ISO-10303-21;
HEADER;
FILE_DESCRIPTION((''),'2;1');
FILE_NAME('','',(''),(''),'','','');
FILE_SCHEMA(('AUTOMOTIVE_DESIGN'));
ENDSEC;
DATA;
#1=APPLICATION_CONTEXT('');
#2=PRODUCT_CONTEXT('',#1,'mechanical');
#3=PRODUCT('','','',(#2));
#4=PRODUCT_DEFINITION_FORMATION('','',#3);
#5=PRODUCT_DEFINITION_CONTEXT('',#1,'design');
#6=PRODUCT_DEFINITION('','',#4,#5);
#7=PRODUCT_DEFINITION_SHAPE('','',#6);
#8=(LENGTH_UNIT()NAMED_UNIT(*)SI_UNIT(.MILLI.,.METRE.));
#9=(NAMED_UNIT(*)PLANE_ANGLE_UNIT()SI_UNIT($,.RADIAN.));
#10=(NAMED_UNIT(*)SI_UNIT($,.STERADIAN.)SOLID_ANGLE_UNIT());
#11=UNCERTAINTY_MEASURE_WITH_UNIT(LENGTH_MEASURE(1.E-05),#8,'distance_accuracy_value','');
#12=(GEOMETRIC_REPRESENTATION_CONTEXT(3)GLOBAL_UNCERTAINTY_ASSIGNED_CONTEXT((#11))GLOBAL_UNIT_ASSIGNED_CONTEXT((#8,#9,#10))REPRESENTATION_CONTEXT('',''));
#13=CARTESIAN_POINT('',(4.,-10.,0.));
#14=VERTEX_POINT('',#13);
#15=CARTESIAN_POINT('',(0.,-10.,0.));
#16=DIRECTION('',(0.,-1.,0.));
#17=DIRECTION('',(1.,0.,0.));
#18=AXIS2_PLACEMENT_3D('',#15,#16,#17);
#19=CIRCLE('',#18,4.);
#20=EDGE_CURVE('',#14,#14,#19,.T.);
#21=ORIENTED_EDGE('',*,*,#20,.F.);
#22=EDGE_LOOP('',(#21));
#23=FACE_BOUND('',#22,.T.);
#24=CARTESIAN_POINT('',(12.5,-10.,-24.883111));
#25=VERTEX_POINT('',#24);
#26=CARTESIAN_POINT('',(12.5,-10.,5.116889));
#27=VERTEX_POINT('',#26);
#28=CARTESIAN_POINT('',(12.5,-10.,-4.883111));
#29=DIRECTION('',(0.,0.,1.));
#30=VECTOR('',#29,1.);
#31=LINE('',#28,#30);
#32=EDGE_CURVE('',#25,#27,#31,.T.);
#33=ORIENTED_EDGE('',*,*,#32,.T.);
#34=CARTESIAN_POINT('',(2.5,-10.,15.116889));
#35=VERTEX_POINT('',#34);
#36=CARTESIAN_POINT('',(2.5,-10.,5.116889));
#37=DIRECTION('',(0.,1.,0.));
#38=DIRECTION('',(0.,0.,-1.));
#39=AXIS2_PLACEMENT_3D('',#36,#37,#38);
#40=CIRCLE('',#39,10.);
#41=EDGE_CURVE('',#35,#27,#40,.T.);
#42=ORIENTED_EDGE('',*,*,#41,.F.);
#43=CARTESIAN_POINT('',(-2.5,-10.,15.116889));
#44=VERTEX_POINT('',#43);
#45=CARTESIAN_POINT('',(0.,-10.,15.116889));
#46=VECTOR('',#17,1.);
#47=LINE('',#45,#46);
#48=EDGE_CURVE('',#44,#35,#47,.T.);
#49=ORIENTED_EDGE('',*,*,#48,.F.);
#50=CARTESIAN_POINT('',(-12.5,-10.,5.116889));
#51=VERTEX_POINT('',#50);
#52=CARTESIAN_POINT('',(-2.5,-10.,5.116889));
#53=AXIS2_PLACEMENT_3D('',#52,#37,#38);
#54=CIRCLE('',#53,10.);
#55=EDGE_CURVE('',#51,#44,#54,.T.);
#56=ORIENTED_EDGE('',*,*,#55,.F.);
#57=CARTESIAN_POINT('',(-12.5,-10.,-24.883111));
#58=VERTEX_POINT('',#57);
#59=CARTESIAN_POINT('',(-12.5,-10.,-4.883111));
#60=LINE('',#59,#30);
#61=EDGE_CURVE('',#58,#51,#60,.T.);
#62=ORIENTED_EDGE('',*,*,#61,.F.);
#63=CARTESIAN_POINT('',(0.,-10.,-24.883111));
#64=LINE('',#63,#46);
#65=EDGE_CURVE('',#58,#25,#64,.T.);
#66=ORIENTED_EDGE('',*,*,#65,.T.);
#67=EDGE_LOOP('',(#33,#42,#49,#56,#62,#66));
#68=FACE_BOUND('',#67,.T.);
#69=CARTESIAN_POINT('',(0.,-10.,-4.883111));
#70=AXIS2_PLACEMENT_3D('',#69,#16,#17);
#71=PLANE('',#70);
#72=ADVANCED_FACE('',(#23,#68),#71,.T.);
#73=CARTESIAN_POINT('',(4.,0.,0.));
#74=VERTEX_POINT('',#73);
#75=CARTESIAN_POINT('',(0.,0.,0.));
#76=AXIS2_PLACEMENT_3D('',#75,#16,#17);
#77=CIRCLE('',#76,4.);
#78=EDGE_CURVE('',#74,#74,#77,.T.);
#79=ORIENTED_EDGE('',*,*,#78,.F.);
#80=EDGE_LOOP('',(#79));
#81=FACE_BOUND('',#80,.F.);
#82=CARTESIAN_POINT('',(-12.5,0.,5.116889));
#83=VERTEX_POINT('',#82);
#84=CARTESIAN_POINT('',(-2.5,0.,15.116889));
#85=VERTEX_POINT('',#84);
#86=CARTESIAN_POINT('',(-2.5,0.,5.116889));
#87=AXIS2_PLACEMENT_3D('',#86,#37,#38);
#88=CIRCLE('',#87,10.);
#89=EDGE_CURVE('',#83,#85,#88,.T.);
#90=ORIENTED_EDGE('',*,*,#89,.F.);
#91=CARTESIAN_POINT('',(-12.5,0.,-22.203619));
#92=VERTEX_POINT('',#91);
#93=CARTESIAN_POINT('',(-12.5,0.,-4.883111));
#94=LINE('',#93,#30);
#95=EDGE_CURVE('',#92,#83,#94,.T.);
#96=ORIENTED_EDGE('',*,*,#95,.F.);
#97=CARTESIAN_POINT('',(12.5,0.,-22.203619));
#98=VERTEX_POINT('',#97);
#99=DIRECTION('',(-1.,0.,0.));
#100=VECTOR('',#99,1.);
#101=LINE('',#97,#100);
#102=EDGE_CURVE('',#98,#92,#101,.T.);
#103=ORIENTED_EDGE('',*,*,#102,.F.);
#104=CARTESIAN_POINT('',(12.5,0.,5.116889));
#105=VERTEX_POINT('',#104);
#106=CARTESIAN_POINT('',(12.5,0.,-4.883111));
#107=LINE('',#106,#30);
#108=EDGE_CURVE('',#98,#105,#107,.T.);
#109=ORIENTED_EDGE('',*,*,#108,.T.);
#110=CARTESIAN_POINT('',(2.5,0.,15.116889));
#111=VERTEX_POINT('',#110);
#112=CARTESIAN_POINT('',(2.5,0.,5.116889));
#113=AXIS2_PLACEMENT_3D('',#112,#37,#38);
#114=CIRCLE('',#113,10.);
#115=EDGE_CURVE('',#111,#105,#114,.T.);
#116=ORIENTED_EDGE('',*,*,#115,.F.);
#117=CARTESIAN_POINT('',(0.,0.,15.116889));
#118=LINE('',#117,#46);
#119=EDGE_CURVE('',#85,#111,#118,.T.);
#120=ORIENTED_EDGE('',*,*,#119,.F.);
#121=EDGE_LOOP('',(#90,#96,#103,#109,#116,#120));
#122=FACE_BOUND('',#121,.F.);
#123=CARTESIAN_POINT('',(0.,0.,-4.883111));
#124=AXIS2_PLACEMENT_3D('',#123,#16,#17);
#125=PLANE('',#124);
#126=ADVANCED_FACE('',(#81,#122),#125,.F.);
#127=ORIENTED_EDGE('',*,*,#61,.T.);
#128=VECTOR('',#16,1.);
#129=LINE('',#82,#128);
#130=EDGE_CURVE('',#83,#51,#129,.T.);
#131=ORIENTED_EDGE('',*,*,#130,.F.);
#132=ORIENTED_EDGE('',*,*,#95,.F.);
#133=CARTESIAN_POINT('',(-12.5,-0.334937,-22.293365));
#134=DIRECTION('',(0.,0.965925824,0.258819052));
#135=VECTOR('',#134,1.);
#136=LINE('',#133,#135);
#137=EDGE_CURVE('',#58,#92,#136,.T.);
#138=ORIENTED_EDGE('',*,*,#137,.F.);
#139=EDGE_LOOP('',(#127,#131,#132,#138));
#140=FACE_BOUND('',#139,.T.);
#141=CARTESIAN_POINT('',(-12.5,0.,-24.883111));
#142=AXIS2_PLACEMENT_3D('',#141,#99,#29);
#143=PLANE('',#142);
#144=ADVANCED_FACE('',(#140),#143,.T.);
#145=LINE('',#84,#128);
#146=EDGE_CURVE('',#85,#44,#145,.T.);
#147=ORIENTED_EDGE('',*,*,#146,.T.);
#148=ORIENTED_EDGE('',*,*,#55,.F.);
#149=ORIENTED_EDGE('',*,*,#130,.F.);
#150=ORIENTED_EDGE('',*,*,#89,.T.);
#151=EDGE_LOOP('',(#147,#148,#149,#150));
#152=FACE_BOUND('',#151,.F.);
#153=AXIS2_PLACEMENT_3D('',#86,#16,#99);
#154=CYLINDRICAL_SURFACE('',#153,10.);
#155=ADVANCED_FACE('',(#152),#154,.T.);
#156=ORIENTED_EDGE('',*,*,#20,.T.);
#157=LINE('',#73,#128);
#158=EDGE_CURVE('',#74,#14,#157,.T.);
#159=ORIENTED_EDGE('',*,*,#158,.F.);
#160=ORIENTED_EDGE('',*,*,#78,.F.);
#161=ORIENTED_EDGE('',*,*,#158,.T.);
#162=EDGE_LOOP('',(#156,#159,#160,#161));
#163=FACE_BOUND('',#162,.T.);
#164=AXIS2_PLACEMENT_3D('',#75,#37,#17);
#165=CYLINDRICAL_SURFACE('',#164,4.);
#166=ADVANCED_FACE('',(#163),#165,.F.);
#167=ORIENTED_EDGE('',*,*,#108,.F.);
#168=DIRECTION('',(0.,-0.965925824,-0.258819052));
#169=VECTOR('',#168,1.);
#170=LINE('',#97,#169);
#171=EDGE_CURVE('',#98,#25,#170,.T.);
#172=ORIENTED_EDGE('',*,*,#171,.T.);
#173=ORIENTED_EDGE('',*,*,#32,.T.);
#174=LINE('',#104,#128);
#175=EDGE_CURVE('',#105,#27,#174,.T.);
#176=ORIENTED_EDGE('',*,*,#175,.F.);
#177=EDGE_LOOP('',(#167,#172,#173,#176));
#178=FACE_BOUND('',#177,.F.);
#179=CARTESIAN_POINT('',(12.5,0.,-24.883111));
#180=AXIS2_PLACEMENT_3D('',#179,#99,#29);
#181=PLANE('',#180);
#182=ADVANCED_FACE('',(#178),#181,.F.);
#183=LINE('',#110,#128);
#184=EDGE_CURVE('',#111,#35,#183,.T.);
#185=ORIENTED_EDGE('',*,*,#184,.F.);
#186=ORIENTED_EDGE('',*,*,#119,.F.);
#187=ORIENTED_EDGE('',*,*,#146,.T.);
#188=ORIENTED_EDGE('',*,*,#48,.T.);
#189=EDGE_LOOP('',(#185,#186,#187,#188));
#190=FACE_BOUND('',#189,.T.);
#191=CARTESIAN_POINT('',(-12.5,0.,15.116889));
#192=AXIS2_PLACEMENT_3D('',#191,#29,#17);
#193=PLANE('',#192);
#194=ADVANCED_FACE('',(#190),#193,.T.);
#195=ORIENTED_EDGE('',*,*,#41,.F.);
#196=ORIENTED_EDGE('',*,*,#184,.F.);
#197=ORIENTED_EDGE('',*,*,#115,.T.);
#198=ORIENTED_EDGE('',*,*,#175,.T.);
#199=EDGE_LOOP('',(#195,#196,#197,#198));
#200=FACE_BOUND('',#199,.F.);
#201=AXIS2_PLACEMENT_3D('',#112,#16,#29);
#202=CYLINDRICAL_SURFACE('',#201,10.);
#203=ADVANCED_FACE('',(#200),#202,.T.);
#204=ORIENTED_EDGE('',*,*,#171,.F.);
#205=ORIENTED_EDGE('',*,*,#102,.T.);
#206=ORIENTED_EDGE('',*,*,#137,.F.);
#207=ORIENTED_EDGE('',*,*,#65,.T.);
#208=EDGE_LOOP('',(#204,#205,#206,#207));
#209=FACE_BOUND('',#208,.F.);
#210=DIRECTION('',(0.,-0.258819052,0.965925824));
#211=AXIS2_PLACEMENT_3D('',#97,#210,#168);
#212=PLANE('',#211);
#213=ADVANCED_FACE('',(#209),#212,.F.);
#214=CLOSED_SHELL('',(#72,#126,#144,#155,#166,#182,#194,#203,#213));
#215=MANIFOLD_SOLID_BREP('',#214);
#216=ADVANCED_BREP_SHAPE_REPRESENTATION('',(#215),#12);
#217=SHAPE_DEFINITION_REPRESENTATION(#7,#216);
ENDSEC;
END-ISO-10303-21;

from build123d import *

# Parameters (mm, degrees)
F0_W     = 25
F0_H     = 40
F0_R     = 4
F1_DEPTH = 10
F3_DEPTH = 25.001
F4_R     = 10


with BuildPart() as f1:
    # F0 (on Front) → F1 (new body)
    with BuildSketch(Plane.XZ):
        with Locations((0, -4.883111)):
            Rectangle(F0_W, F0_H)
        Circle(F0_R, mode=Mode.SUBTRACT)
    extrude(amount=F1_DEPTH)

    # F2 (on face) → F3 (cut, through all)
    with BuildSketch(Plane.YZ.offset(12.5)):
        Polygon((-10, -24.883111), (0, -24.883111), (0, -22.203619), align=None)
    extrude(amount=-F3_DEPTH, mode=Mode.SUBTRACT)

    # F4
    f4_edges = [f1.edges().sort_by_distance(p)[0] for p in [
        (12.5, -5, 15.116889),
        (-12.5, -5, 15.116889),
    ]]
    fillet(f4_edges, radius=F4_R)


solid = f1.part
